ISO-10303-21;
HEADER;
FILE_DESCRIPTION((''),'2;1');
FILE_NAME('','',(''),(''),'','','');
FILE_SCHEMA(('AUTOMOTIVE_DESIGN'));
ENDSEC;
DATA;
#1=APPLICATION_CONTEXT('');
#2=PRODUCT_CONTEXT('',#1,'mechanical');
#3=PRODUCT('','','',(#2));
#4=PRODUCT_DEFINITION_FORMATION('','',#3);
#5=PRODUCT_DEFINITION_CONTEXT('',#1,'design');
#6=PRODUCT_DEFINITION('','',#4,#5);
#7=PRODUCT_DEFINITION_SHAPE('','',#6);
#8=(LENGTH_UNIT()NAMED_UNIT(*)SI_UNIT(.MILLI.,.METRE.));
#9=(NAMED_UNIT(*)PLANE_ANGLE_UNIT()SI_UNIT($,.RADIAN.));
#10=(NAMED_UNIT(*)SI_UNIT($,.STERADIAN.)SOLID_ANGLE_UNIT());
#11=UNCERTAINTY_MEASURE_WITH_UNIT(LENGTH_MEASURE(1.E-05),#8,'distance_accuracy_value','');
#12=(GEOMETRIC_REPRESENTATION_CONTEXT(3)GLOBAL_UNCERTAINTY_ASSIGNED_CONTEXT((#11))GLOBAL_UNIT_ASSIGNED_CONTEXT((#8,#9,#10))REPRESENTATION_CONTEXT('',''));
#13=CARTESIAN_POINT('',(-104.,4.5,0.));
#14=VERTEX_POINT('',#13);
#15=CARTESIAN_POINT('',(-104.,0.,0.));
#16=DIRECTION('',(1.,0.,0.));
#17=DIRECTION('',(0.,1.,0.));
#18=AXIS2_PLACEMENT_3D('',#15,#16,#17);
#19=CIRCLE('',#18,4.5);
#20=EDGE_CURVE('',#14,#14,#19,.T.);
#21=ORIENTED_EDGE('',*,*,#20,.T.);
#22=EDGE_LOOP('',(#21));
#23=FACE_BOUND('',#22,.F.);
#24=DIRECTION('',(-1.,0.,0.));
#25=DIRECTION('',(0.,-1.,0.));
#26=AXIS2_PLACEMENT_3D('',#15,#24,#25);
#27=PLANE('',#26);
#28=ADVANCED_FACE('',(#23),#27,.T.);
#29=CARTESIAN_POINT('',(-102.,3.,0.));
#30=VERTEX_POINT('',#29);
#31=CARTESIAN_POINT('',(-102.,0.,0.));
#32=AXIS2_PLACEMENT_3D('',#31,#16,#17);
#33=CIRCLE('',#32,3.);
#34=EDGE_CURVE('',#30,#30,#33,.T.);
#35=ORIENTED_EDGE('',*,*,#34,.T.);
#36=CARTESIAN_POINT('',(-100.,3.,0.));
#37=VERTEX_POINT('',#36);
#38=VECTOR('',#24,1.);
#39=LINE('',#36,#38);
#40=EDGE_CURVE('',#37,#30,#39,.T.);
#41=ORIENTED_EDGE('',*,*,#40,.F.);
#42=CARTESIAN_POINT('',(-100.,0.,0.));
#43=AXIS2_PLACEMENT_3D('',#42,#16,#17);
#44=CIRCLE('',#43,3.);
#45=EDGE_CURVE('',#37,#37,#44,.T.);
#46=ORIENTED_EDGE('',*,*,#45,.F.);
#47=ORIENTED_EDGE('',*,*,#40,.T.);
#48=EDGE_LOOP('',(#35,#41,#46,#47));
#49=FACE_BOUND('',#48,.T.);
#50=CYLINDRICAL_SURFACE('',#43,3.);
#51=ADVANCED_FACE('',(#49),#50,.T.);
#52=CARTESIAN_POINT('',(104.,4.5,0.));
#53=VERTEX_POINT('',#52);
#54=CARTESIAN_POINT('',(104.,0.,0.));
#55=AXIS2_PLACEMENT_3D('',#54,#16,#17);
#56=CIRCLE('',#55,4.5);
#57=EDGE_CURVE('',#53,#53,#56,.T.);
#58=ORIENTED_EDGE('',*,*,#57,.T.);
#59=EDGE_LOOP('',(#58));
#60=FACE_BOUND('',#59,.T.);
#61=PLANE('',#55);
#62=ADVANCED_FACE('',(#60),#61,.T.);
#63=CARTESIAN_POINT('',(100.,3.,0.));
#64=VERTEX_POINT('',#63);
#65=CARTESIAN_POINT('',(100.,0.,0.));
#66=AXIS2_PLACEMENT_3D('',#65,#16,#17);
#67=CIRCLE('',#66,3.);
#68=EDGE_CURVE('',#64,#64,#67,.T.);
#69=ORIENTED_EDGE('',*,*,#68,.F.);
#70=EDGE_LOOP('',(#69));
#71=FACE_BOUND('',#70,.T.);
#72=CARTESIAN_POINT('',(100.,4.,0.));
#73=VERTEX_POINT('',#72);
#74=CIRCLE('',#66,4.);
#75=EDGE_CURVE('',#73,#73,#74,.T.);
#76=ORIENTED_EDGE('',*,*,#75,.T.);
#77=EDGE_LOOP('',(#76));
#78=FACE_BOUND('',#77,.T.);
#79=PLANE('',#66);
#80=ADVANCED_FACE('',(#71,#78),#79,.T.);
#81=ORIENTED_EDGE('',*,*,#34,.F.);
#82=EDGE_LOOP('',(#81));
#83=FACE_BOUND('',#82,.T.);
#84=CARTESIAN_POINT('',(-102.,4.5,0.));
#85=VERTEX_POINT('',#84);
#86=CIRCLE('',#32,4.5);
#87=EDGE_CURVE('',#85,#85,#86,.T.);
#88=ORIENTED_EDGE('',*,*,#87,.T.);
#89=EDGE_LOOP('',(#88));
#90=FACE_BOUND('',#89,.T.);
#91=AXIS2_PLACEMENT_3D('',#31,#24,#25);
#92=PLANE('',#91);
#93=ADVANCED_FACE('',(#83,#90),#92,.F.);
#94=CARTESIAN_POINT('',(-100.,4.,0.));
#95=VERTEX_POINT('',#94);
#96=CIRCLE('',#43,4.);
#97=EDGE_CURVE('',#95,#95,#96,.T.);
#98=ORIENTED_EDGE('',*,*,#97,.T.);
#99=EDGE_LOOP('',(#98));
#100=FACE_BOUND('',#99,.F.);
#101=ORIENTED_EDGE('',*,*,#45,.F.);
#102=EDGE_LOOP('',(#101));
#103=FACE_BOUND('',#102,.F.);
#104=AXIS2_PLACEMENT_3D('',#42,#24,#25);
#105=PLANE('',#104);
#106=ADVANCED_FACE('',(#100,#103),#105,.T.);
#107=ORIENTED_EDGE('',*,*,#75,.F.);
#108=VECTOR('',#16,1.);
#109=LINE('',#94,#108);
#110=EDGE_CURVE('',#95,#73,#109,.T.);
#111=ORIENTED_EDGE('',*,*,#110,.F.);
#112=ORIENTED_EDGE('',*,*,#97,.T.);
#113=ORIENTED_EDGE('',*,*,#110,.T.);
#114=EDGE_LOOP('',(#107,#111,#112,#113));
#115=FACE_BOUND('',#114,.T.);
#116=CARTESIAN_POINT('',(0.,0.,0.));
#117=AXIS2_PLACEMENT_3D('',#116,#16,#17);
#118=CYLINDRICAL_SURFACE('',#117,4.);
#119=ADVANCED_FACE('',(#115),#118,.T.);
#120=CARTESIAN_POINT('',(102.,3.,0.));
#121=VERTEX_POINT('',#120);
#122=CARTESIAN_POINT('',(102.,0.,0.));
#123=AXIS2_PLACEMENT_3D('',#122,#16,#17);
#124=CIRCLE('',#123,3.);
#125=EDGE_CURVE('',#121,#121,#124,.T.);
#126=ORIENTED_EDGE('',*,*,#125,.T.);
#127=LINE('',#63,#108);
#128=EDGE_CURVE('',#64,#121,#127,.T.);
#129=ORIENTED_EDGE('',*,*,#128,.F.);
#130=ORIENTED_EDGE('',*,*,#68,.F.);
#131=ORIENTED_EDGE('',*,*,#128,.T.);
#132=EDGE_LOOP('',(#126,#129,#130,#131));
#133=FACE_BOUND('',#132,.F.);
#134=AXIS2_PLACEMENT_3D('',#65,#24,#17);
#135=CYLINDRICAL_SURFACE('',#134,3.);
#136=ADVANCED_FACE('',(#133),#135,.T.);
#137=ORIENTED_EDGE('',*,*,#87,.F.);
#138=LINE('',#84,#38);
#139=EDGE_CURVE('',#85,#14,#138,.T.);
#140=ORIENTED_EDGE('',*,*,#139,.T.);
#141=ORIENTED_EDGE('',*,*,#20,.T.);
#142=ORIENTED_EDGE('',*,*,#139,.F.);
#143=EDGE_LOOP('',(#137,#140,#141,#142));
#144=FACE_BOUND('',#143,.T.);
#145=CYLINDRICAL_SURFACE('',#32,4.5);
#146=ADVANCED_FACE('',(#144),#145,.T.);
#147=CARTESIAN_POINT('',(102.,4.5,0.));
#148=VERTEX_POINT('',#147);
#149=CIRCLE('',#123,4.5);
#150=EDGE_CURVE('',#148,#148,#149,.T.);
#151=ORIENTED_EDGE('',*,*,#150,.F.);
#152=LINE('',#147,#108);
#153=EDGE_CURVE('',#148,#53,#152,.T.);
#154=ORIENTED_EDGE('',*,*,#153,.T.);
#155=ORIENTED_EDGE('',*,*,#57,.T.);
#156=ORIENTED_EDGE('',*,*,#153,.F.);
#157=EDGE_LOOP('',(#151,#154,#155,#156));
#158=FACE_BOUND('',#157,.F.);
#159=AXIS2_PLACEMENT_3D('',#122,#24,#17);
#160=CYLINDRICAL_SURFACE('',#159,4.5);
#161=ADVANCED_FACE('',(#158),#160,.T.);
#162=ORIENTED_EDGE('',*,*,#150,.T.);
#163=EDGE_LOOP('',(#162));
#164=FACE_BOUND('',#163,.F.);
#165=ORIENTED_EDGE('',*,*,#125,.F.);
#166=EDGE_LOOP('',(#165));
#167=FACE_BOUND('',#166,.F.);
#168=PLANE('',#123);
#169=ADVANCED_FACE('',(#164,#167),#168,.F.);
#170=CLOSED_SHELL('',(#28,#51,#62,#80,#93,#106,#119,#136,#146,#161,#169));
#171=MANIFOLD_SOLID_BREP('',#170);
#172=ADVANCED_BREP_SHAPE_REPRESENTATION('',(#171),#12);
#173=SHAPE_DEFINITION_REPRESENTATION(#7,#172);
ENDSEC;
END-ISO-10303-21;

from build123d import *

# Parameters (mm, degrees)
F0_R     = 4
F1_DEPTH = 100
F2_R     = 3
F3_DEPTH = 2
F4_R     = 4.5
F4_R_2   = 3
F5_DEPTH = 2


with BuildPart() as f1:
    # F0 (on Right) → F1 (new body)
    with BuildSketch(Plane.YZ):
        Circle(F0_R)
    extrude(amount=F1_DEPTH)

    # F2 (on face) → F3 (join)
    with BuildSketch(Plane.YZ.offset(100)):
        Circle(F2_R)
    extrude(amount=F3_DEPTH)

    # F4 (on face) → F5 (join)
    with BuildSketch(Plane.YZ.offset(102)):
        Circle(F4_R)
        Circle(F4_R_2, mode=Mode.SUBTRACT)
        Circle(F4_R_2)
    extrude(amount=F5_DEPTH)

    # F6: F1 across plane


with BuildPart() as f1_1:
    add(f1.part)
    add(f1.part.mirror(Plane.YZ))


solid = f1_1.part
